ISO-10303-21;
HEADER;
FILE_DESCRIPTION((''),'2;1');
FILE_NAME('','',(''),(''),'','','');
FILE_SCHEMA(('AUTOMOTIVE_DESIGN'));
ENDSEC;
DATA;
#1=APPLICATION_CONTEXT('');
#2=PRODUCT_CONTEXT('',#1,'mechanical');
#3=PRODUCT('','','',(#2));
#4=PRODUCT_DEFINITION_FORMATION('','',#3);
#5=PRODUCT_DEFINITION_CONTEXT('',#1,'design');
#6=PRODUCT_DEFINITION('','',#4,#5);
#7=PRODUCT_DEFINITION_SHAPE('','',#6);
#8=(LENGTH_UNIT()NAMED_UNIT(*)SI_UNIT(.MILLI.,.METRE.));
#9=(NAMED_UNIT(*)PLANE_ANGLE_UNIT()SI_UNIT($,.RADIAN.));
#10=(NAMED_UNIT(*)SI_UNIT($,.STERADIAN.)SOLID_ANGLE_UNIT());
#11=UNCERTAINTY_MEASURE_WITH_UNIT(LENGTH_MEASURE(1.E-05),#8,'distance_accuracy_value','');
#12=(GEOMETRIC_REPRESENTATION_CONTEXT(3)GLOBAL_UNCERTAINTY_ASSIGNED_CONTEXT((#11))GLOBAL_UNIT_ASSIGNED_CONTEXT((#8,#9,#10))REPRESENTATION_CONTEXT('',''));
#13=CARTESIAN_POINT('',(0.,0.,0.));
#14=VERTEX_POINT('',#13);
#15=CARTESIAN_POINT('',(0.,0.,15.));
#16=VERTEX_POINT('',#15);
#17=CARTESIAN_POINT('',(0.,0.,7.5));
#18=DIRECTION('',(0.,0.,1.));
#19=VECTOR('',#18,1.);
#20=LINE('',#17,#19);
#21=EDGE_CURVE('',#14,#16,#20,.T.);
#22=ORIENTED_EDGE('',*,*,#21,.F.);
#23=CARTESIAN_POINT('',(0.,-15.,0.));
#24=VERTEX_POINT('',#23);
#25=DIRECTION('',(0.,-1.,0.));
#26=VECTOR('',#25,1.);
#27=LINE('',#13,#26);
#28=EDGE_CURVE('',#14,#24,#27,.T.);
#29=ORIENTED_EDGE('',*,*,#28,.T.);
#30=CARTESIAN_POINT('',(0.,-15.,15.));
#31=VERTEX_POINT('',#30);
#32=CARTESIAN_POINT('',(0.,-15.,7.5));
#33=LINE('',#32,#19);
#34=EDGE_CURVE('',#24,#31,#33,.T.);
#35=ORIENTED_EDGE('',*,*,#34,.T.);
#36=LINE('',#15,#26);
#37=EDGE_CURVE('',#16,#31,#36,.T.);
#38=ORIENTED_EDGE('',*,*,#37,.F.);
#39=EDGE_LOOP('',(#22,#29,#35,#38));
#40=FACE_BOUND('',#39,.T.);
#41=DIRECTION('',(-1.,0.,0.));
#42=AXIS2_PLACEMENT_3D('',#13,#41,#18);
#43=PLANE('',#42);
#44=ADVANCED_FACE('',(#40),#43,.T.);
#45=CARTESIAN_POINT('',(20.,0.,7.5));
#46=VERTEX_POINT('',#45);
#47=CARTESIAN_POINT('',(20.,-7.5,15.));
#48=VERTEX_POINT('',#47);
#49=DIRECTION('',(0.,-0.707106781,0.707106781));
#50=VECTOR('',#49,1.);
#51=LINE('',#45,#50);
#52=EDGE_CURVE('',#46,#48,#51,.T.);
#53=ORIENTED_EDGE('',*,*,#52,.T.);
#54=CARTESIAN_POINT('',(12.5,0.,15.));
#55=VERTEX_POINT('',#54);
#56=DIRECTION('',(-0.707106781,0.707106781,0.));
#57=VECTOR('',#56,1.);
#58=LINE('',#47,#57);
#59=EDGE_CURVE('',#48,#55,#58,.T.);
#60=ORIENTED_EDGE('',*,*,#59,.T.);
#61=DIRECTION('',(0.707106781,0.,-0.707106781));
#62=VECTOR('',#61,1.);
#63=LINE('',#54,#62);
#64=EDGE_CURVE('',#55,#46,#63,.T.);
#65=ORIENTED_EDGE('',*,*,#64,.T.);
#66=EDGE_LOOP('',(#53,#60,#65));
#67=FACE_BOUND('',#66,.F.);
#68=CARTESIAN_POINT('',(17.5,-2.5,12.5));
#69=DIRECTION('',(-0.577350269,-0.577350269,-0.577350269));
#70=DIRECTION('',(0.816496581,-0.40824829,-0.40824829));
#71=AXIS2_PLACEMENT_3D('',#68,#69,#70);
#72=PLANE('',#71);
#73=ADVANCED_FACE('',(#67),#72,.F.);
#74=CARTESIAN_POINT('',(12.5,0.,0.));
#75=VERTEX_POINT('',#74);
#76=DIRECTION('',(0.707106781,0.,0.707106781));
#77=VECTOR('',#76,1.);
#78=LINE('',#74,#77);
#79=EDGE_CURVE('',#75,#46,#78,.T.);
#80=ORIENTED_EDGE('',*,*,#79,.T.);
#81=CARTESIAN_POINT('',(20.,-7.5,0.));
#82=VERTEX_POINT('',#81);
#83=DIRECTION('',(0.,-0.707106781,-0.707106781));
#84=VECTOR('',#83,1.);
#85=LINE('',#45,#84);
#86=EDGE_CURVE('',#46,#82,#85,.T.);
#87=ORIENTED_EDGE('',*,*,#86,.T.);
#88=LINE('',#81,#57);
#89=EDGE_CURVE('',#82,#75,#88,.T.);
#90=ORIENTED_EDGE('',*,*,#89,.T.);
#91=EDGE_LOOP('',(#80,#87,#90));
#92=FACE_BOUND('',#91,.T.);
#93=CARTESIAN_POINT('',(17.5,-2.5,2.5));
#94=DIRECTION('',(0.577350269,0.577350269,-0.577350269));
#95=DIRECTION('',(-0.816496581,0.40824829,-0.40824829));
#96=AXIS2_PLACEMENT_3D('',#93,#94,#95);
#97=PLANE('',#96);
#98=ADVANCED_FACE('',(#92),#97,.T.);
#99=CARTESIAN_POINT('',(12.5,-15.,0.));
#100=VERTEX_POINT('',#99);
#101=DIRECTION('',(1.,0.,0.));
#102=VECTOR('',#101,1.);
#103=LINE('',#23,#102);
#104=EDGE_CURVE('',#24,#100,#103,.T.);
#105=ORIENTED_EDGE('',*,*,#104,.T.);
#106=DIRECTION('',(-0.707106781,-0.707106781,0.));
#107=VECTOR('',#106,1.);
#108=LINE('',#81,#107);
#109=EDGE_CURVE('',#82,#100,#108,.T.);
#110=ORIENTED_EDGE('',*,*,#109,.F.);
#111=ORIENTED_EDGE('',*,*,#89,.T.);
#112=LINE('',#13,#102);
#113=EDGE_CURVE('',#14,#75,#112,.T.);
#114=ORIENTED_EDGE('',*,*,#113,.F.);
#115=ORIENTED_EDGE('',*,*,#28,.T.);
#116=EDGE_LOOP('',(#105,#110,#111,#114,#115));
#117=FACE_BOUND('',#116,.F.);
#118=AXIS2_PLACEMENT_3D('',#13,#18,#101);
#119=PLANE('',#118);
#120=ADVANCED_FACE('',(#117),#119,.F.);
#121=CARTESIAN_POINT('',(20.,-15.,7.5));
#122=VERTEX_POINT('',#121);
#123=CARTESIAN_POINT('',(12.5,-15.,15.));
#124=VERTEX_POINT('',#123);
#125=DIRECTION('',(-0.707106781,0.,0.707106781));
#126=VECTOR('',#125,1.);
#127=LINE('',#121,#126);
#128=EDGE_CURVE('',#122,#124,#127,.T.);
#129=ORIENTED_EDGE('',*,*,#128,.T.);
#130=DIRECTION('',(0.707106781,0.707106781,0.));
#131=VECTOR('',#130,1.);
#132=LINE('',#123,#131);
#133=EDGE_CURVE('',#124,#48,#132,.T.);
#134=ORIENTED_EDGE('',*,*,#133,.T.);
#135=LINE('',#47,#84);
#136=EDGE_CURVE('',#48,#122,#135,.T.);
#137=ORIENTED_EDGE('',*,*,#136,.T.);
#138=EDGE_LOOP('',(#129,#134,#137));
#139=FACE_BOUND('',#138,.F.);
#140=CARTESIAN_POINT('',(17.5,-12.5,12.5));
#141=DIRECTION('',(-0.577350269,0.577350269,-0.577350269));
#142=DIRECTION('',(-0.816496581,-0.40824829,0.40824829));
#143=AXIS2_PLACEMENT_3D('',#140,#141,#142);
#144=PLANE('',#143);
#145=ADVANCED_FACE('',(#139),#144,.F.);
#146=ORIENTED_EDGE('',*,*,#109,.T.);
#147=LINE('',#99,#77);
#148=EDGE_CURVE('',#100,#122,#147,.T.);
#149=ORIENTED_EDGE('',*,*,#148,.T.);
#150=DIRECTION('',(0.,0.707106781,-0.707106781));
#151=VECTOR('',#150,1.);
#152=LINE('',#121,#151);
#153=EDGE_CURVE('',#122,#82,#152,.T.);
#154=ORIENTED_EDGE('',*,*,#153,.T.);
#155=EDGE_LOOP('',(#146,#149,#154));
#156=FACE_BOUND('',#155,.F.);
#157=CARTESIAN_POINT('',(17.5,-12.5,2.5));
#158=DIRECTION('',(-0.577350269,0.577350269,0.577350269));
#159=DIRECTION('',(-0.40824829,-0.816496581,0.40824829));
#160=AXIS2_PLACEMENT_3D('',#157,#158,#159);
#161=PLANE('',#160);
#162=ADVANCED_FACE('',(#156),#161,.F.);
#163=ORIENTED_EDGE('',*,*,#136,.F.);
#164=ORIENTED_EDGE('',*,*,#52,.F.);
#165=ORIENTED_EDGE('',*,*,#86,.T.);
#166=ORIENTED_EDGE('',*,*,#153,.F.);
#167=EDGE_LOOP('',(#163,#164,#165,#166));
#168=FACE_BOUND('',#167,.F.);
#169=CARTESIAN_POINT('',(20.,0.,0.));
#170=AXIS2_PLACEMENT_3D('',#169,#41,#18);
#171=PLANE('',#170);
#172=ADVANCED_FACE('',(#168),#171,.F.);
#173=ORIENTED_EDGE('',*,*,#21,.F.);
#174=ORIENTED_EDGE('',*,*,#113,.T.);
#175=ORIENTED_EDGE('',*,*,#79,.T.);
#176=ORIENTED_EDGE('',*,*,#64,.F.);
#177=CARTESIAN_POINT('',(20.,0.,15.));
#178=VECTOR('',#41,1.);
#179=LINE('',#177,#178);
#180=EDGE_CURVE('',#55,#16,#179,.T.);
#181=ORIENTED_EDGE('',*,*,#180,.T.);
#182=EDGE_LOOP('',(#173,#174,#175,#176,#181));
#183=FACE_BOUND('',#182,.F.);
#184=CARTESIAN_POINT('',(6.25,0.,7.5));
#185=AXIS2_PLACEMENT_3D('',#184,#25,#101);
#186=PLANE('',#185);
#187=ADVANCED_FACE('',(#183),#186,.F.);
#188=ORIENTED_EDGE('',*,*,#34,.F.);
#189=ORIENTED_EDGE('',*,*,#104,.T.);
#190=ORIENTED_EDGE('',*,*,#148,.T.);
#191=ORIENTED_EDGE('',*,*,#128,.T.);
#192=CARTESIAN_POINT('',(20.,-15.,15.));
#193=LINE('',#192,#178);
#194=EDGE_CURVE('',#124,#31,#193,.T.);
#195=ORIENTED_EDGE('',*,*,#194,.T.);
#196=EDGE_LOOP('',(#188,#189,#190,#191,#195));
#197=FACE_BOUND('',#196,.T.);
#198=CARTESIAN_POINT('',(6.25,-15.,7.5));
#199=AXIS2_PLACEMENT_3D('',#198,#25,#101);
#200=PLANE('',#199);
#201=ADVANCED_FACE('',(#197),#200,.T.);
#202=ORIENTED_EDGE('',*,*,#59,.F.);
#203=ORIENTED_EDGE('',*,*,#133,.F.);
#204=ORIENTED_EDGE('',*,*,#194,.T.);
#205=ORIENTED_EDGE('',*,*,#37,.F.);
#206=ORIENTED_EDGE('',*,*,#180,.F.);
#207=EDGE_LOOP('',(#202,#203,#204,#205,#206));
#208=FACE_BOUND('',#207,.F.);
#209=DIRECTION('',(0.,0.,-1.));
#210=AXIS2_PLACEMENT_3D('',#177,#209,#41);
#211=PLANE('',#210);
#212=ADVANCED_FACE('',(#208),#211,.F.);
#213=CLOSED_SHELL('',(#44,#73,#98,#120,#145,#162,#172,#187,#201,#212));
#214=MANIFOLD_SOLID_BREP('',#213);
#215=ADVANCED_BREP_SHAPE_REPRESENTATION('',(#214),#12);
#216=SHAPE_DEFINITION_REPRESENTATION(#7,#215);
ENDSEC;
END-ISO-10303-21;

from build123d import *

# Parameters (mm, degrees)
F0_W      = 12.5
F0_H      = 15
F1_DEPTH  = 15
F7_DEPTH  = 25
F10_DEPTH = 43.5
F14_DEPTH = 25
F17_DEPTH = 25


with BuildPart() as f1:
    # F0 (on Front) → F1 (new body)
    with BuildSketch(Plane.XZ):
        with Locations((6.25, 7.5)):
            Rectangle(F0_W, F0_H)
        Polygon((20, 15), (12.5, 15), (20, 7.5), align=None)
        Polygon((20, 7.5), (12.5, 0), (20, 0), align=None)
        Polygon((20, 7.5), (12.5, 15), (12.5, 0), align=None)
    extrude(amount=F1_DEPTH)

    # F6 (on 3pt) → F7 (cut)
    with BuildSketch(Plane(origin=(9.1666666667, 9.1666666667, 9.1666666667), x_dir=(0.8164965809, -0.4082482905, -0.4082482905), z_dir=(-0.5773502692, -0.5773502692, -0.5773502692))):
        Polygon((4.0824829046, 10.6066017178), (13.2680694401, 5.3033008589), (13.2680694401, 15.9099025767), align=None)
    extrude(amount=-F7_DEPTH, mode=Mode.SUBTRACT)

    # F9 (on 3pt) → F10 (cut)
    with BuildSketch(Plane(origin=(4.1666666667, 4.1666666667, -4.1666666667), x_dir=(-0.8164965809, 0.4082482905, -0.4082482905), z_dir=(0.5773502692, 0.5773502692, -0.5773502692))):
        Polygon((-19.391793797, 5.3033008589), (-19.391793797, -5.3033008589), (-10.2062072616, 0), align=None)
    extrude(amount=F10_DEPTH, mode=Mode.SUBTRACT)

    # F13 (on 3pt) → F14 (cut)
    with BuildSketch(Plane(origin=(9.1666666667, -9.1666666667, -9.1666666667), x_dir=(-0.4082482905, -0.8164965809, 0.4082482905), z_dir=(-0.5773502692, 0.5773502692, 0.5773502692))):
        Polygon((-2.0412414523, 14.1421356237), (7.1443450831, 8.8388347648), (7.1443450831, 19.4454364826), align=None)
    extrude(amount=-F14_DEPTH, mode=Mode.SUBTRACT)

    # F16 (on 3pt) → F17 (cut)
    with BuildSketch(Plane(origin=(14.1666666667, -14.1666666667, 14.1666666667), x_dir=(-0.8164965809, -0.4082482905, 0.4082482905), z_dir=(-0.5773502692, 0.5773502692, -0.5773502692))):
        Polygon((2.0412414523, 0), (-7.1443450831, 5.3033008589), (-7.1443450831, -5.3033008589), align=None)
    extrude(amount=-F17_DEPTH, mode=Mode.SUBTRACT)


solid = f1.part
